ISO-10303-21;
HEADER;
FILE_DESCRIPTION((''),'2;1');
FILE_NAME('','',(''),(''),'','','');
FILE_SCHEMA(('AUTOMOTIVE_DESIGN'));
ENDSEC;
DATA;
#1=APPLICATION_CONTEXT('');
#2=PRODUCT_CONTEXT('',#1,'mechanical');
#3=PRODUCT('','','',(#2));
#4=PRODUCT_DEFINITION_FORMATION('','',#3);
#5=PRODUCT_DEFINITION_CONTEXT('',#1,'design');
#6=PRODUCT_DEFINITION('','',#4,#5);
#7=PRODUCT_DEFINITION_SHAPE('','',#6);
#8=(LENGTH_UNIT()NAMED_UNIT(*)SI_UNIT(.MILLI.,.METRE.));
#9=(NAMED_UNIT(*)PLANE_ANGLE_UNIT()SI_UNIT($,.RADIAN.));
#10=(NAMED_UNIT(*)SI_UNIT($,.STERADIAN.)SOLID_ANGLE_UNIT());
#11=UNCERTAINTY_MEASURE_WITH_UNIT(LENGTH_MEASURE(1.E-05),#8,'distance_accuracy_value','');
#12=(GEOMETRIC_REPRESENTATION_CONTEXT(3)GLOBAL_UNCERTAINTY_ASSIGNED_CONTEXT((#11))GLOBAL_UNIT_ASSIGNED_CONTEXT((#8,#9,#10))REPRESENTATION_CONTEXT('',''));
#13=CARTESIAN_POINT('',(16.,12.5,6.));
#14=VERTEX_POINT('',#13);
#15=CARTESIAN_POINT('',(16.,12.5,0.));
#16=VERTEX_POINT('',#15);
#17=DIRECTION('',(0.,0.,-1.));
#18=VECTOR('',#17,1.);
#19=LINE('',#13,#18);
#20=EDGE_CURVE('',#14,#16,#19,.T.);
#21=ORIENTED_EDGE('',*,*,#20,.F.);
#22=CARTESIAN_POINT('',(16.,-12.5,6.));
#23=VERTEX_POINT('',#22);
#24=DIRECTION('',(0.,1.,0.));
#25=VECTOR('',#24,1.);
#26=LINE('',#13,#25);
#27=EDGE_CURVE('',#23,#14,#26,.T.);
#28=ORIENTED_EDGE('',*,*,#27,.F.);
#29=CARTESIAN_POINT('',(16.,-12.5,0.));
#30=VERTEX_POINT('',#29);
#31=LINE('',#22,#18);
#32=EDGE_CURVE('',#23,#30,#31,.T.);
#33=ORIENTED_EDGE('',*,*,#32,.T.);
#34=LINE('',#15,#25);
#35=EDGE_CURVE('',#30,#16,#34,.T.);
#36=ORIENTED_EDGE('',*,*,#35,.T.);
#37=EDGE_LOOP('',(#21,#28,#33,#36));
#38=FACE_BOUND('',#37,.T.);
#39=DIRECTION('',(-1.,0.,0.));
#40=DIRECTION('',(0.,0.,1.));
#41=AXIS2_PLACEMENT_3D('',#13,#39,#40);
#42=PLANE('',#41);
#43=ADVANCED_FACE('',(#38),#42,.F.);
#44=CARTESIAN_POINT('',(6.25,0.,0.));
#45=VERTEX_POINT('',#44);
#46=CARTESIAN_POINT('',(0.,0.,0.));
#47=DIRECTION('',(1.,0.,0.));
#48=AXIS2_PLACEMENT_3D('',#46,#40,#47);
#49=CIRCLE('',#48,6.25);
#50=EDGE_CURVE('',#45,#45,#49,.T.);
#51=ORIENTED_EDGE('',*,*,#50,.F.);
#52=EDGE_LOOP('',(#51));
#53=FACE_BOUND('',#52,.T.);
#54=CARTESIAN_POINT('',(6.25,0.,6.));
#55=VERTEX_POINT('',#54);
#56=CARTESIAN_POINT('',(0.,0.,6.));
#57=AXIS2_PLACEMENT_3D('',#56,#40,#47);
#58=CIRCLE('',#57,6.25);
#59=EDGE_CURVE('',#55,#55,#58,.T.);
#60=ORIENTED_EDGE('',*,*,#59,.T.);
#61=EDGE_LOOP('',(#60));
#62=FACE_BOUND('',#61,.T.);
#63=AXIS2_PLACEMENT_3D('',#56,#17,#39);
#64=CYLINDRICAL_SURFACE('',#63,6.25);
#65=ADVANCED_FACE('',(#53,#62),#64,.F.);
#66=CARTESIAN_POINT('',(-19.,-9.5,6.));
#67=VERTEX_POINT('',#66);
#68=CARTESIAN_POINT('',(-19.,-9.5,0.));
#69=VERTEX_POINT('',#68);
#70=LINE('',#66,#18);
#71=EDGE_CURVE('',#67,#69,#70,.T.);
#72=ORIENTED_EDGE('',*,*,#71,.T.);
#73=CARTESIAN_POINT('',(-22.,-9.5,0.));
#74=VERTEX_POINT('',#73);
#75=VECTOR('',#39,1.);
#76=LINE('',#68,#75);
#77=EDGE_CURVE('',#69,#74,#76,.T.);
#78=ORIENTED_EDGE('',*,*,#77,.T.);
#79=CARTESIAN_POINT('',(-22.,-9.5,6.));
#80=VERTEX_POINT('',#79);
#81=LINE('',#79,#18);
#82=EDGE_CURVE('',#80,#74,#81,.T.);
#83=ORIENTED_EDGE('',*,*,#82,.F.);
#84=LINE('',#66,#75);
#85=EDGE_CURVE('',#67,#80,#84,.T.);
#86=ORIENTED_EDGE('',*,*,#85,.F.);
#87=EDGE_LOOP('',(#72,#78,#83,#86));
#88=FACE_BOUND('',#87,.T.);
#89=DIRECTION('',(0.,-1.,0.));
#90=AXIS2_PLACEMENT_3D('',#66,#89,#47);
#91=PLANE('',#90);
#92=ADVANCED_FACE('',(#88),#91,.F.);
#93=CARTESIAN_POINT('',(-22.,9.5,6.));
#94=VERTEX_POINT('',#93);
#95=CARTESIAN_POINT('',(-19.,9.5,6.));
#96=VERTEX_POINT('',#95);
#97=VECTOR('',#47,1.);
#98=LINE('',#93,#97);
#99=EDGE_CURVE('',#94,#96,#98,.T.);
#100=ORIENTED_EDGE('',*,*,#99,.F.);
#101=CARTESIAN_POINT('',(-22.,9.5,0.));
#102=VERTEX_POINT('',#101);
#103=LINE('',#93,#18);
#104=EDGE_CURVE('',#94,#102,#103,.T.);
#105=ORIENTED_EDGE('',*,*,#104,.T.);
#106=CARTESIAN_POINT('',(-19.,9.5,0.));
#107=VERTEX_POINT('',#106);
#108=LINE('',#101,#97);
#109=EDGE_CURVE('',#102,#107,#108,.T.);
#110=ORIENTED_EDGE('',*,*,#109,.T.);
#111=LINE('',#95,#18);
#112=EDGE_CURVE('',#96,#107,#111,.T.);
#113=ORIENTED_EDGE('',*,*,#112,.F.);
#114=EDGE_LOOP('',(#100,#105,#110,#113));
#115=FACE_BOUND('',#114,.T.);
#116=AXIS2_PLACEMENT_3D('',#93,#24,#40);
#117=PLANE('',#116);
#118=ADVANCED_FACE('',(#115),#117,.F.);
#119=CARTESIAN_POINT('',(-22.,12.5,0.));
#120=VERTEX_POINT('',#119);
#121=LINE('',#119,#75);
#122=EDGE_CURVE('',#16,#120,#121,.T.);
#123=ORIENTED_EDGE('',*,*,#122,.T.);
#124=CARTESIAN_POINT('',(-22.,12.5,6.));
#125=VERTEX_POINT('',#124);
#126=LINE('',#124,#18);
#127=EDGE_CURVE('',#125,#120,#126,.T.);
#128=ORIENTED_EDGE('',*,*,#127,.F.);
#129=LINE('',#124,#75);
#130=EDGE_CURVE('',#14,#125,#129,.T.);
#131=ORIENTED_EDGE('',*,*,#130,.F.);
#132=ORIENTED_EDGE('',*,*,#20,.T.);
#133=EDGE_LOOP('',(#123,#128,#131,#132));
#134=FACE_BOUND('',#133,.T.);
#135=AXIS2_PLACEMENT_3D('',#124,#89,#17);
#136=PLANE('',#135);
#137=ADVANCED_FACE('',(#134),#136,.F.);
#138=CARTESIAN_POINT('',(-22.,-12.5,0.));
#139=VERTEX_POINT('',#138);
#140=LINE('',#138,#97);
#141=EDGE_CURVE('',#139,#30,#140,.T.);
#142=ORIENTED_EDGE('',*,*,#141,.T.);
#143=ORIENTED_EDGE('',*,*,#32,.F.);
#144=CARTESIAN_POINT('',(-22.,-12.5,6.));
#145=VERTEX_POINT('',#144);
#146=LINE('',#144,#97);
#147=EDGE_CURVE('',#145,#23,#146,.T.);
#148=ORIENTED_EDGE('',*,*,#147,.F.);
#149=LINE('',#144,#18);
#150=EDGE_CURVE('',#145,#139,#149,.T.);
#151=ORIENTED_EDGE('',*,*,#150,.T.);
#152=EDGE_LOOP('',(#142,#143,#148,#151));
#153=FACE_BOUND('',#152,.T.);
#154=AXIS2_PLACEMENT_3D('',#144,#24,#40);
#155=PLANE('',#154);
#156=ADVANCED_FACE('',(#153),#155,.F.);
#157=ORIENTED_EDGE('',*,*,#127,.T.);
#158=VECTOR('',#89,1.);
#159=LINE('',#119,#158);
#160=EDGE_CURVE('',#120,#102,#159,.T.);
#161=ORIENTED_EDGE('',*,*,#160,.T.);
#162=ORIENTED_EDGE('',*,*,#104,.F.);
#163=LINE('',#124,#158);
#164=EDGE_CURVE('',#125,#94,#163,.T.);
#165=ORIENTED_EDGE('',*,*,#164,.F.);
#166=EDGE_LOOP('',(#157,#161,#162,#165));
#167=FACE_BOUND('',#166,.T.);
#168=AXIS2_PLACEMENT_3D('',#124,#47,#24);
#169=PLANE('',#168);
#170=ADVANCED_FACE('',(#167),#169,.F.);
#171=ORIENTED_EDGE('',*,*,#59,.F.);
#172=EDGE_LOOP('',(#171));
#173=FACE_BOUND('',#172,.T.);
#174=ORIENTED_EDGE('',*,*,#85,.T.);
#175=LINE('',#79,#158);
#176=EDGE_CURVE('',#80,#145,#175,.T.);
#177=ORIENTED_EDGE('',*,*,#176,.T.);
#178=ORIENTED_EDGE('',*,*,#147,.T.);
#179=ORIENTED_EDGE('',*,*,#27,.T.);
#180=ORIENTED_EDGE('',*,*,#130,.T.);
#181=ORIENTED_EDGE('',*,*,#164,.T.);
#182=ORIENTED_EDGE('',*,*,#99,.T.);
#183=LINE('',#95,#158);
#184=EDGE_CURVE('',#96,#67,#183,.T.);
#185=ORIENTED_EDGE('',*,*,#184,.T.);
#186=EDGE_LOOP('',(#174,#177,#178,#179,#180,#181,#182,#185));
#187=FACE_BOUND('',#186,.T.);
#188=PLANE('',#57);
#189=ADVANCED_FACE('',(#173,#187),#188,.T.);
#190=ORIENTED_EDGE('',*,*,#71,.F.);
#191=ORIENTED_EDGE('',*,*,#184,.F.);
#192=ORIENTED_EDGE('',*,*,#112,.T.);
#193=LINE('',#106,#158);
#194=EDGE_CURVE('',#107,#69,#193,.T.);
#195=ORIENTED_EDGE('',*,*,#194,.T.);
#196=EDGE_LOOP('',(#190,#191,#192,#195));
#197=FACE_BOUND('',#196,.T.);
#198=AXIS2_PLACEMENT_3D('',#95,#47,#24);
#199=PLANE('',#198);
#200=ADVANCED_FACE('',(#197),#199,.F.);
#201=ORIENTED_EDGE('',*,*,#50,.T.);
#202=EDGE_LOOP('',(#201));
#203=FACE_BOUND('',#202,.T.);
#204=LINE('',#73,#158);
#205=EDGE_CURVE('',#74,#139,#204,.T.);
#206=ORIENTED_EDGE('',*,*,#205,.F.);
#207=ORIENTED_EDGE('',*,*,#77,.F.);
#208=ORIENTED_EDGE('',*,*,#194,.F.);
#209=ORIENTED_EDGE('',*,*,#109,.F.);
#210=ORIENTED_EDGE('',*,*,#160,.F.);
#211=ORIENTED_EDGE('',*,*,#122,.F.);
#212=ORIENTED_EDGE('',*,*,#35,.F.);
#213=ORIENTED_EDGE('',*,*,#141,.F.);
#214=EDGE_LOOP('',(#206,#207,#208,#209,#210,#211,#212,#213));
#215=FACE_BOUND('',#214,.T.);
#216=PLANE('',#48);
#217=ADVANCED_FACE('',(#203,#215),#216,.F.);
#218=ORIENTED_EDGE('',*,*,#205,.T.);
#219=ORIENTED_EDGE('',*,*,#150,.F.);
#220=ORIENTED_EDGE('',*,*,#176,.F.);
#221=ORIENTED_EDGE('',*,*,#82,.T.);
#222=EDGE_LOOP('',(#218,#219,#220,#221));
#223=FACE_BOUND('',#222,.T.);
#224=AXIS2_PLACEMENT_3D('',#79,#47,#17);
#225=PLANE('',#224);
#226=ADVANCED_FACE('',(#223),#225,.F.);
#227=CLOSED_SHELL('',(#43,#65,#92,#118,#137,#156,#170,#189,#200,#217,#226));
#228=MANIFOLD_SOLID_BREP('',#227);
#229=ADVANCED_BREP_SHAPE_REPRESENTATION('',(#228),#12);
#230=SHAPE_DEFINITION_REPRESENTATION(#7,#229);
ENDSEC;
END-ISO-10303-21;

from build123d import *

# Parameters (mm, degrees)
SKETCH1_R           = 6.25
BOSS_EXTRUDE1_DEPTH = 6


with BuildPart() as part:
    # Sketch1 → Boss-Extrude1 (new body)
    with BuildSketch(Plane.XY):
        Polygon((-22, 9.5), (-19, 9.5), (-19, -9.5), (-22, -9.5), (-22, -12.5), (16, -12.5), (16, 12.5), (-22, 12.5), align=None)
        Circle(SKETCH1_R, mode=Mode.SUBTRACT)
    extrude(amount=BOSS_EXTRUDE1_DEPTH)


solid = part.part
